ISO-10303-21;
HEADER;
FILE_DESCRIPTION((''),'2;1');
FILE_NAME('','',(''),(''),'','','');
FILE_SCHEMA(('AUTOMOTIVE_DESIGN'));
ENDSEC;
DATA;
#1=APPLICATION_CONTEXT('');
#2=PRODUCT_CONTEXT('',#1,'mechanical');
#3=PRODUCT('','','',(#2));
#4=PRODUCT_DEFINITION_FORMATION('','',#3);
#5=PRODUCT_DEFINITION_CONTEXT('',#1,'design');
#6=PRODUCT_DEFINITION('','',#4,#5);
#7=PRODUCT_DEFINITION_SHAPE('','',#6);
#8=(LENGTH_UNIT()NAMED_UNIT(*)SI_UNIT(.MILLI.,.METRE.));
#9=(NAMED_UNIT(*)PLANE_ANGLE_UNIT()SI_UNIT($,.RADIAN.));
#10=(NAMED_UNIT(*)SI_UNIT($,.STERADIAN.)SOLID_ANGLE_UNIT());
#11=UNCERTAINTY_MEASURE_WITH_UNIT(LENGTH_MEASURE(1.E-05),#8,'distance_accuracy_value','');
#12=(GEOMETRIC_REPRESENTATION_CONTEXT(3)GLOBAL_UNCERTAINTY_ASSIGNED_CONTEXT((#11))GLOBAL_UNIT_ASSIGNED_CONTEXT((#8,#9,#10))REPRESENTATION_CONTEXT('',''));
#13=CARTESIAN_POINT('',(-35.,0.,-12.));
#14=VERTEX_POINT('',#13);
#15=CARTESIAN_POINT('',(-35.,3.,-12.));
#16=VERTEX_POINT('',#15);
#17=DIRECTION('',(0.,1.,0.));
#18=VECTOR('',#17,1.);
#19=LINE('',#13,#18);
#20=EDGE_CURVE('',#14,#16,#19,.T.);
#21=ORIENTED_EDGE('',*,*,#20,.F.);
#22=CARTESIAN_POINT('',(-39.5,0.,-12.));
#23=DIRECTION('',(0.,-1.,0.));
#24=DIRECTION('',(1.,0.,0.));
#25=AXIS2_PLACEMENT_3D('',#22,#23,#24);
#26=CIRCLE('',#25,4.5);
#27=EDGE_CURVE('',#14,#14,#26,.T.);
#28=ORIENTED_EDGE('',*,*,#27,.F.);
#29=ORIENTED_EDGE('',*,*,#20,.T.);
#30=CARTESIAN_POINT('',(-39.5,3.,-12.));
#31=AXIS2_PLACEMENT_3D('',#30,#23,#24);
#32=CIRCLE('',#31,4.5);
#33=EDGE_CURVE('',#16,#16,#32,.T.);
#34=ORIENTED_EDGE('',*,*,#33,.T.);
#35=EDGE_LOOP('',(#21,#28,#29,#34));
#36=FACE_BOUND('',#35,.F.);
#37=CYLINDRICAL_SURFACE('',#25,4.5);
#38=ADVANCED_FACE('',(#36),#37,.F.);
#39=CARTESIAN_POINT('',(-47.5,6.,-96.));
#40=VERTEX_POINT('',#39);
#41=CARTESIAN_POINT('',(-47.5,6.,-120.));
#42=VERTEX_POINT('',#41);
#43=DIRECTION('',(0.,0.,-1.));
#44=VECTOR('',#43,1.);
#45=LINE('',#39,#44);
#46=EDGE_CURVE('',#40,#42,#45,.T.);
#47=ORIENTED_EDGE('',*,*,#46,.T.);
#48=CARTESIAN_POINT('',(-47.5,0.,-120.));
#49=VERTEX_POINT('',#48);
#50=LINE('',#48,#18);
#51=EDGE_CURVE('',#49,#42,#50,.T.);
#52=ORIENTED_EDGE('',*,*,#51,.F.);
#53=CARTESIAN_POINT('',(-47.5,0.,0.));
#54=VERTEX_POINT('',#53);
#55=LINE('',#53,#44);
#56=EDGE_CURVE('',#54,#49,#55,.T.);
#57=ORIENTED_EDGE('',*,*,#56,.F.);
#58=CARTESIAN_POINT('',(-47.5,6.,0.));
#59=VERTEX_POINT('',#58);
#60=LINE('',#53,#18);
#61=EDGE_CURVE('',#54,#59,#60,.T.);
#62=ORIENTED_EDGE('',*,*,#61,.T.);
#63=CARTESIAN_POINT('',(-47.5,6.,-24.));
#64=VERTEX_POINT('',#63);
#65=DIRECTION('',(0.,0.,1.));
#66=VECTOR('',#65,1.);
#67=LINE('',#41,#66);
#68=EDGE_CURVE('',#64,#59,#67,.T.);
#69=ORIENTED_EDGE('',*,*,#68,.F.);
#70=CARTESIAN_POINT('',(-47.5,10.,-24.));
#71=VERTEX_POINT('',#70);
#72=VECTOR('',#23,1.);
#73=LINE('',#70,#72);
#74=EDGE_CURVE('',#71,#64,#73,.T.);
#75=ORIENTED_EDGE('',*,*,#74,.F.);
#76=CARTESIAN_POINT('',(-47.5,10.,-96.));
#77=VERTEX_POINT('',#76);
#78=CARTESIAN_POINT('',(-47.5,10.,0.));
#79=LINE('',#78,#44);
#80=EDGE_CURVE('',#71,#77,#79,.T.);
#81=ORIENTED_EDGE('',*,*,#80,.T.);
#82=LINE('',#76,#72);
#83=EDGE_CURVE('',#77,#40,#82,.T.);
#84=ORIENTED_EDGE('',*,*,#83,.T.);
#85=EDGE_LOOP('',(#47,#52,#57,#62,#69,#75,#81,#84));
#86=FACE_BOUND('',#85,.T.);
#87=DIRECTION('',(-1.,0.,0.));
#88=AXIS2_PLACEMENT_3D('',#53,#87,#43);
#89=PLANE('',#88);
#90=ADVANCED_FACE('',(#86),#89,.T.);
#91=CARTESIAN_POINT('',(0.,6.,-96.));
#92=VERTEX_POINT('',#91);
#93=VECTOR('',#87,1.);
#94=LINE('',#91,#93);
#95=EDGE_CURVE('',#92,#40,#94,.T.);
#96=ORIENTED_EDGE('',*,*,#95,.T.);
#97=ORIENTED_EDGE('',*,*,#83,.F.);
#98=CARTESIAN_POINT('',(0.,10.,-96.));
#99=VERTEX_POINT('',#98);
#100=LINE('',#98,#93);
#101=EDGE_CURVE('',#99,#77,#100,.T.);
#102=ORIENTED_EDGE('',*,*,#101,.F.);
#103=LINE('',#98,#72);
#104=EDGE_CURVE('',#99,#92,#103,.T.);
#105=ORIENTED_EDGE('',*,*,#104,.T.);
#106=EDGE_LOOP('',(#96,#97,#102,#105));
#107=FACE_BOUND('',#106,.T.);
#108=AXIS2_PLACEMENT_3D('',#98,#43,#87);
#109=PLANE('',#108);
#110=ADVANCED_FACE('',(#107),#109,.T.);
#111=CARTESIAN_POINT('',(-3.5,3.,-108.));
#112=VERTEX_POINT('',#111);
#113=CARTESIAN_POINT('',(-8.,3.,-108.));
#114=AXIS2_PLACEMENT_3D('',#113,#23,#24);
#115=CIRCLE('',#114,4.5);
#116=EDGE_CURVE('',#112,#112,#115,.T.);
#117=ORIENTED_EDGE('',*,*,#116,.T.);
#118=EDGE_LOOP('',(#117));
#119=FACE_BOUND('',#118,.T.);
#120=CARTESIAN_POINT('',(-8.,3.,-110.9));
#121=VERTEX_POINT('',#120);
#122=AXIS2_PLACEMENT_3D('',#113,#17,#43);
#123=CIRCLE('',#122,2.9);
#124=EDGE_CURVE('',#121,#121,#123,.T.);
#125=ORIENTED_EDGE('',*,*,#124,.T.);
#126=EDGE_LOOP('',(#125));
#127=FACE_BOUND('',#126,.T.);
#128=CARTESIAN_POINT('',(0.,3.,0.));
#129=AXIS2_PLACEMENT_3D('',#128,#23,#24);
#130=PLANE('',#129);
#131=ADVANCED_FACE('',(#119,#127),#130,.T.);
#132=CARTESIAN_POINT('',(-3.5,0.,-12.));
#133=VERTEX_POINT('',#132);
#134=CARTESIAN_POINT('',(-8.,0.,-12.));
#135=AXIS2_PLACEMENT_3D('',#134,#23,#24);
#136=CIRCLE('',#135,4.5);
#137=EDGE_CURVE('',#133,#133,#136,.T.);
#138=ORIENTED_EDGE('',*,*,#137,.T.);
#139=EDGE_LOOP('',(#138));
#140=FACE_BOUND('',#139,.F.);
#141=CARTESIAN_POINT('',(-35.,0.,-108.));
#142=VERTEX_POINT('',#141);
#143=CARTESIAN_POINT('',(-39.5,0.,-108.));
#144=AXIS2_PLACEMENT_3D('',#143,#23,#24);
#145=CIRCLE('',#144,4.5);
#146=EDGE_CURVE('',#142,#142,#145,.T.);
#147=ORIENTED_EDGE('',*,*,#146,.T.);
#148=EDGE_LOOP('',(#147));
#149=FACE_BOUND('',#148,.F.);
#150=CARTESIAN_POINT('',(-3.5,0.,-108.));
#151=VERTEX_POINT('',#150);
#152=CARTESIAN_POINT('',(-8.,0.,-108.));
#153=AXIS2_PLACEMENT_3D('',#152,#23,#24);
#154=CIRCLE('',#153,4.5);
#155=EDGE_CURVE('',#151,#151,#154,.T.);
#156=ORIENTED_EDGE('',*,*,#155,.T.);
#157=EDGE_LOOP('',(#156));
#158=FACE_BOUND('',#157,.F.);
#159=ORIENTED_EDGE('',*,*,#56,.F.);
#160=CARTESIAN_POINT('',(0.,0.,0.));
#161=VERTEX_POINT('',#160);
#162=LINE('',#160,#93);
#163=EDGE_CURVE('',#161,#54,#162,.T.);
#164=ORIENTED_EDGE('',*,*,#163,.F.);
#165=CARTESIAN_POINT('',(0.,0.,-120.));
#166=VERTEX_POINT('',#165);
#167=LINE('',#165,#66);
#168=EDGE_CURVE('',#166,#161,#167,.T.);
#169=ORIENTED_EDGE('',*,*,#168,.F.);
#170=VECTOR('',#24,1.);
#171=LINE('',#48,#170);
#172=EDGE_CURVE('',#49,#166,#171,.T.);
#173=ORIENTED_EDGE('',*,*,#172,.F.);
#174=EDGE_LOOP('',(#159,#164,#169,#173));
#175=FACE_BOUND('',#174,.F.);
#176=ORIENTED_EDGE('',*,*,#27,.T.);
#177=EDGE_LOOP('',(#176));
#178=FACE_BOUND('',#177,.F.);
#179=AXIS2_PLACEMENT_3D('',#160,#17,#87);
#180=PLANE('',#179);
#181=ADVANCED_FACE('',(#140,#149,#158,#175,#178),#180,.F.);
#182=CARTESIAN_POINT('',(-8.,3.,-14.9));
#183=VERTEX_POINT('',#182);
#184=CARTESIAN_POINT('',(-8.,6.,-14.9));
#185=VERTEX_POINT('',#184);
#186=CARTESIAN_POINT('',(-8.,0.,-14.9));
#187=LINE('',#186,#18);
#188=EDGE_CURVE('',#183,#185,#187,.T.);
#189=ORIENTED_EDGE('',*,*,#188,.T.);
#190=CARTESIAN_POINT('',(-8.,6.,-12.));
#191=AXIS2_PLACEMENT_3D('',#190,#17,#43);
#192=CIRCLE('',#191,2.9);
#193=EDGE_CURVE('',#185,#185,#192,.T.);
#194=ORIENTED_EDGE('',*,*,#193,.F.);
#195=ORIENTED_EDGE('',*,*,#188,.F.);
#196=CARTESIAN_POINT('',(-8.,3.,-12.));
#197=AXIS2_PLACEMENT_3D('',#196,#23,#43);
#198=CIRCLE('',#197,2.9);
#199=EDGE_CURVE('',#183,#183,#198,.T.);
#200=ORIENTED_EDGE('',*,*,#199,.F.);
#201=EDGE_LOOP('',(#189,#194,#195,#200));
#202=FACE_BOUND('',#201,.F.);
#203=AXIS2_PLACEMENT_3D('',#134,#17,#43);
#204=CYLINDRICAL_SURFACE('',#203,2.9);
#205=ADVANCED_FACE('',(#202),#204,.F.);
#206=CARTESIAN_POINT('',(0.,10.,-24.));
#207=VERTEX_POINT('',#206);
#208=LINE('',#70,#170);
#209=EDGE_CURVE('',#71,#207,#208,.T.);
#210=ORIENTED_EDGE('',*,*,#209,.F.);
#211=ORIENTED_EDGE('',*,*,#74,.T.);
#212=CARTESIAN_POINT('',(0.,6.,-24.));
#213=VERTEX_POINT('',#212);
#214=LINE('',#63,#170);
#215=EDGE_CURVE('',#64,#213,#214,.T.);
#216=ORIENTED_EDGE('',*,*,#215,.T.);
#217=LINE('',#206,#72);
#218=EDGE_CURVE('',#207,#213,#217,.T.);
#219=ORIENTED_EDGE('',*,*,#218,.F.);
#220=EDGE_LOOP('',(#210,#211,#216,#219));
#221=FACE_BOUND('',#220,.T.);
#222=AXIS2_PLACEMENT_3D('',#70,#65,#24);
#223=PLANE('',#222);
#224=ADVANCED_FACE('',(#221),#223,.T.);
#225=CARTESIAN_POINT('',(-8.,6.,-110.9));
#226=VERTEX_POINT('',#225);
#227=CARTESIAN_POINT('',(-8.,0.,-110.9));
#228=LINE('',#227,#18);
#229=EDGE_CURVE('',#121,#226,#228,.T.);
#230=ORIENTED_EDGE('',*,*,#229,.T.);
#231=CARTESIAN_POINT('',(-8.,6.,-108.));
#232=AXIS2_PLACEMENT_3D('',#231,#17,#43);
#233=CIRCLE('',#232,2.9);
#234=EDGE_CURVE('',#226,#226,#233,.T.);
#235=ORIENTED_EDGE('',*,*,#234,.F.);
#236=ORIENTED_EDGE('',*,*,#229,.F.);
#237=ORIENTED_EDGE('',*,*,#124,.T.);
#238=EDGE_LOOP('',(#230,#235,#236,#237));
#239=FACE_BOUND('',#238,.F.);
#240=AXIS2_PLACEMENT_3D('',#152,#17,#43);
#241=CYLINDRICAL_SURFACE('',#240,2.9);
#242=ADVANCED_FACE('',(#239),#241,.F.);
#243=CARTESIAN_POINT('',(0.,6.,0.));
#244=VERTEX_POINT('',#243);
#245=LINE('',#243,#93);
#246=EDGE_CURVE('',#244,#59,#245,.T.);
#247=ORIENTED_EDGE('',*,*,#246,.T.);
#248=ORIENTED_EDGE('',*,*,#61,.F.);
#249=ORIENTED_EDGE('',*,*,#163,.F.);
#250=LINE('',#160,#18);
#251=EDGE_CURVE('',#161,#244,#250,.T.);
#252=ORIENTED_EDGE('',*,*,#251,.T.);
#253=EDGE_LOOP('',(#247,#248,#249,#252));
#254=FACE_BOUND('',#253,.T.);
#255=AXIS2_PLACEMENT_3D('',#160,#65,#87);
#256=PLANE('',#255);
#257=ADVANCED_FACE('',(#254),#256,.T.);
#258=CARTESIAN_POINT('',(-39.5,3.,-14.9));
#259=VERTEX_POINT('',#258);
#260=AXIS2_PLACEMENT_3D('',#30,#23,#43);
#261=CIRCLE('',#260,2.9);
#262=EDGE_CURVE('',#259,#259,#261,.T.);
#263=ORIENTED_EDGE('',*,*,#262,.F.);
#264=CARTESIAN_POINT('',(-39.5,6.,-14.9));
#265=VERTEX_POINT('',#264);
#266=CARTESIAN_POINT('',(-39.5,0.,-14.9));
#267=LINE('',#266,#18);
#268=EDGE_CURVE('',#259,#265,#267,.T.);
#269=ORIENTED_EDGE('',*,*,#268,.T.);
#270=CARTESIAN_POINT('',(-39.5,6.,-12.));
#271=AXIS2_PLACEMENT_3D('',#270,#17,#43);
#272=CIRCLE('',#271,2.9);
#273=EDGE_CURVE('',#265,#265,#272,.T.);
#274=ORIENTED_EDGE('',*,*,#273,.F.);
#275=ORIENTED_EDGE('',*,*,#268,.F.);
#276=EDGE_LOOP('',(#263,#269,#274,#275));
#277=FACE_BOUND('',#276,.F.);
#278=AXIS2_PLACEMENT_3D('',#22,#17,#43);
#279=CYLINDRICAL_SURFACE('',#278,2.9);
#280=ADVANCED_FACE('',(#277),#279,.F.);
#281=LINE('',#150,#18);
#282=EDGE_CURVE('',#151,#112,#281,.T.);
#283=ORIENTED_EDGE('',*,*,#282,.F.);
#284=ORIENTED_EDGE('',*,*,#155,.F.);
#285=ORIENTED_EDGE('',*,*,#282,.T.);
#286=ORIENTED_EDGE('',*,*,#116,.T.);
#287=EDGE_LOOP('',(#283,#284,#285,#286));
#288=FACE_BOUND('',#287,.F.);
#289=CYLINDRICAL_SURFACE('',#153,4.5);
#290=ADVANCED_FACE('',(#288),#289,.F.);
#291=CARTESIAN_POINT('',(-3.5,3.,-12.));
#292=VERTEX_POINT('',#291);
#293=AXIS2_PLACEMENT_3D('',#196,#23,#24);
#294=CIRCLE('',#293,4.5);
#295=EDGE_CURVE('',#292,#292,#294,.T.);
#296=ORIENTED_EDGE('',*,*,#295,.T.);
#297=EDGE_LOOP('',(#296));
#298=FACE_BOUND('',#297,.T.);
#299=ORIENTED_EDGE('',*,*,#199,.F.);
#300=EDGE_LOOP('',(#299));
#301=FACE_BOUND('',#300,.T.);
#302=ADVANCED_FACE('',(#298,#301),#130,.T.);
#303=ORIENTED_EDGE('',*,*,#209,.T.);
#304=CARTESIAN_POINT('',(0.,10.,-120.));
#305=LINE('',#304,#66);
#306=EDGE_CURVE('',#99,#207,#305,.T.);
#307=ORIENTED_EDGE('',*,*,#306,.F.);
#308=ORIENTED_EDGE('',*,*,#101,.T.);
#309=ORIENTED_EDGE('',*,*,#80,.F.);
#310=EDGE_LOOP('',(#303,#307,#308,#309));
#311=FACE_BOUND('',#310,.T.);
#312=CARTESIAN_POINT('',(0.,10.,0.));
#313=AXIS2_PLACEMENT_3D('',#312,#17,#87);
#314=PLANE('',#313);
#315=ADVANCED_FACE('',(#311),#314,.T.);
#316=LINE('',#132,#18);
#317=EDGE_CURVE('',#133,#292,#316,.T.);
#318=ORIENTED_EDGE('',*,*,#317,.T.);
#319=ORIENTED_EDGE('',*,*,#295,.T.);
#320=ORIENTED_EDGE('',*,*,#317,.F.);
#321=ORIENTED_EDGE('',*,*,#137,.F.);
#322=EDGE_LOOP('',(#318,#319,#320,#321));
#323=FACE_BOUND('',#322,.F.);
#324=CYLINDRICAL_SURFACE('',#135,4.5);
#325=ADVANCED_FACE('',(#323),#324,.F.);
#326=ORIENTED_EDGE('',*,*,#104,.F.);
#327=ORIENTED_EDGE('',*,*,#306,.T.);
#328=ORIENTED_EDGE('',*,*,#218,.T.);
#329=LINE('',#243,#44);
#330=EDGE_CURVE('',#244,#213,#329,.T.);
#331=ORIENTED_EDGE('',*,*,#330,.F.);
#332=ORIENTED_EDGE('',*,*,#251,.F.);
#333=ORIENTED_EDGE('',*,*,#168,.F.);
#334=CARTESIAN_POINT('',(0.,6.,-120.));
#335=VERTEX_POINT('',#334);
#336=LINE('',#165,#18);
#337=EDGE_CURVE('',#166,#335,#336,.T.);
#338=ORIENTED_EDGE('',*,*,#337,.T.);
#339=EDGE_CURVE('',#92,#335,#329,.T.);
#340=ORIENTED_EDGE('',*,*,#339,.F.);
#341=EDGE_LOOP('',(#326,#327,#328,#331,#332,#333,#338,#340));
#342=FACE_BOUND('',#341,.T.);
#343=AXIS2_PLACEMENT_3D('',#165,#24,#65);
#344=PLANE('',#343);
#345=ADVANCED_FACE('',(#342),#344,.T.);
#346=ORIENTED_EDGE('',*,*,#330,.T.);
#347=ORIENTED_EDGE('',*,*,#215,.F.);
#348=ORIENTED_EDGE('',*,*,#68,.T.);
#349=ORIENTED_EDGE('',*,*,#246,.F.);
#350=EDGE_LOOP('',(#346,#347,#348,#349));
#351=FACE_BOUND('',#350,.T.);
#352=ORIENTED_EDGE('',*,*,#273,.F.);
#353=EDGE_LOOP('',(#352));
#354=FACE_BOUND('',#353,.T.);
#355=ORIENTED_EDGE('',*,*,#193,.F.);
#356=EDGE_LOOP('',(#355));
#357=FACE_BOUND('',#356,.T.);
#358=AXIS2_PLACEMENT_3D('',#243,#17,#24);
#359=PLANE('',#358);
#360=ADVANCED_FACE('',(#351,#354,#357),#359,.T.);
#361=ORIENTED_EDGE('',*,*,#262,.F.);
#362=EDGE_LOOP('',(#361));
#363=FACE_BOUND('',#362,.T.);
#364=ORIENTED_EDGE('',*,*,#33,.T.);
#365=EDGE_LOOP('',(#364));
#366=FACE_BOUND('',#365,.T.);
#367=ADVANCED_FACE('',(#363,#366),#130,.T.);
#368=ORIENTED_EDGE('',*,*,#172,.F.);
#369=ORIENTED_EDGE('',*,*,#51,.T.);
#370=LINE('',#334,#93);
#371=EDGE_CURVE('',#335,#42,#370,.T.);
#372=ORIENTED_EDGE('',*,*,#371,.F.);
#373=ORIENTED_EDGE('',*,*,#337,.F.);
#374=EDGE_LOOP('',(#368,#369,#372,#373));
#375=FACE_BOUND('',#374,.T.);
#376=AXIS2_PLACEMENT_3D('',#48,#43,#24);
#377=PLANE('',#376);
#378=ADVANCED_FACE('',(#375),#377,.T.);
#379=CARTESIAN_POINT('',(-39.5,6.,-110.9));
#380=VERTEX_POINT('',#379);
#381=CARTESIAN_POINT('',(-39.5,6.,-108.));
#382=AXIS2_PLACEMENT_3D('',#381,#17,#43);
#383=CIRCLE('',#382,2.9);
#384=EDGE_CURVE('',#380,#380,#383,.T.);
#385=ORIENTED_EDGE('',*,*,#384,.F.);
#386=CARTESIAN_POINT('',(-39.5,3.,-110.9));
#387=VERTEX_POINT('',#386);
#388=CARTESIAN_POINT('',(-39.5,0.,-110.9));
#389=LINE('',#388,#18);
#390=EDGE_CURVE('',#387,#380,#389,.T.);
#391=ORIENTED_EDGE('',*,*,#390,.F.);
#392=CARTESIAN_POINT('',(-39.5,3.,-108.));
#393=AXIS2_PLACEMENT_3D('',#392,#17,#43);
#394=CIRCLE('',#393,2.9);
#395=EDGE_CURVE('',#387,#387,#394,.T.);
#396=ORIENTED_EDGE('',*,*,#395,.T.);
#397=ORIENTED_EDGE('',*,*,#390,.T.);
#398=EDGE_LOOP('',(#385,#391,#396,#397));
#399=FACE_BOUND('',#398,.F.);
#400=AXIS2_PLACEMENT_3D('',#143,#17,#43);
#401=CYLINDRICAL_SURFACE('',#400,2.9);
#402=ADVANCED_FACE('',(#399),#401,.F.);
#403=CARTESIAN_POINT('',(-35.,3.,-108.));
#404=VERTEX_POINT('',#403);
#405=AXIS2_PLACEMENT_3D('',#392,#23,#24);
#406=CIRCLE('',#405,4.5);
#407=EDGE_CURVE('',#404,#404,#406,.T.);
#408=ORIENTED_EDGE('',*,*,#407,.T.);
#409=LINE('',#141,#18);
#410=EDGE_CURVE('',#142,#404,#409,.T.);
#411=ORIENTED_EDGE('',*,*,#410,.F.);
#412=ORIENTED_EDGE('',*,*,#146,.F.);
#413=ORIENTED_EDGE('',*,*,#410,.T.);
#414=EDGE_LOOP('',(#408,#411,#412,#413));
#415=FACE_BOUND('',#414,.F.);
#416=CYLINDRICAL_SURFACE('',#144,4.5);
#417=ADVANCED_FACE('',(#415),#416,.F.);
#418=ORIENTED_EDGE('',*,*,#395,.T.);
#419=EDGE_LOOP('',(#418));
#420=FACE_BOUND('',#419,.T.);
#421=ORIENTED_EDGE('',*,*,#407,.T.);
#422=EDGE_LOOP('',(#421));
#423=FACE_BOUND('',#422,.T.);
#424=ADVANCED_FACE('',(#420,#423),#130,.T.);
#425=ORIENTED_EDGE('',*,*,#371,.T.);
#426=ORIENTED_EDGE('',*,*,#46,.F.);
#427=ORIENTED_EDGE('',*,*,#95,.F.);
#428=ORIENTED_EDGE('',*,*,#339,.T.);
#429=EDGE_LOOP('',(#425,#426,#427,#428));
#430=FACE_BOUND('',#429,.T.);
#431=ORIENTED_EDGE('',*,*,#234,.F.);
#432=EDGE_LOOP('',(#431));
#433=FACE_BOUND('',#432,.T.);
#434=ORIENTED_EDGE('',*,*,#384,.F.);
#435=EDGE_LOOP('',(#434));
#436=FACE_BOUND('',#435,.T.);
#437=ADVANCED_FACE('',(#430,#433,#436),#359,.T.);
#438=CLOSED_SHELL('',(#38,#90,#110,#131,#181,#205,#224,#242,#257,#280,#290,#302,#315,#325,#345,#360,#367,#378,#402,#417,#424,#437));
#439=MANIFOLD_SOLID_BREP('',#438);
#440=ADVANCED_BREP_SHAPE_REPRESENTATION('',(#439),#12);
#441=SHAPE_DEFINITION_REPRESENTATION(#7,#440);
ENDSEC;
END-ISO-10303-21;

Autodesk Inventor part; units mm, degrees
ref_plane "YZ Plane" through (0, 0, 0) normal (1, 0, 0) x (0, 1, 0)
ref_plane "XZ Plane" through (0, 0, 0) normal (0, 1, 0) x (-1, 0, 0)
ref_plane "XY Plane" through (0, 0, 0) normal (0, 0, 1) x (1, 0, 0)
sketch "スケッチ1" plane through (0, 0, 0) normal (0, 1, 0) x (-1, 0, 0)
  line L0 (0, 0) -> (47.5, 0)
  line L1 (47.5, 0) -> (47.5, -120)
  line L2 (47.5, -120) -> (0, -120)
  line L3 (0, -120) -> (0, 0)
  dimension "d0" = 47.5
  dimension "d1" = 120
extrude "押し出し1" add sketch "スケッチ1" along normal blind 10
ref_plane "作業平面1" through (0, 10, 0) normal (0, 1, 0) x (1, 0, 0)
sketch "スケッチ2" plane through (0, 10, 0) normal (0, 1, 0) x (1, 0, 0)
  line L0 (0, 120) -> (-47.5, 120) projected
  line L1 (0, 0) -> (0, 120) projected
  line L2 (-47.5, 120) -> (0, 120)
  line L3 (0, 120) -> (0, 96)
  line L4 (0, 96) -> (-47.5, 96)
  line L5 (-47.5, 96) -> (-47.5, 120)
  line L6 (-47.5, 120) -> (-47.5, 0) projected
  line L7 (0, 0) -> (-47.5, 0)
  line L8 (-47.5, 0) -> (-47.5, 24)
  line L9 (-47.5, 24) -> (0, 24)
  line L10 (0, 24) -> (0, 0)
  point P0 (0, 24)
  dimension "d5" = 24
  dimension "d6" = 24
  dimension "d7" = 72
extrude "押し出し2" cut sketch "スケッチ2" against normal blind 4 contours L1 L4 L5 L0 | L1 L7 L6 L9
ref_plane "作業平面2" through (0, 0, 0) normal (0, -1, 0) x (1, 0, 0)
sketch "スケッチ3" plane through (0, 0, 0) normal (0, -1, 0) x (1, 0, 0)
  line L0 (-47.5, 0) -> (0, 0) projected
  line L1 (0, -120) -> (-47.5, -120) projected
  line L2 (-47.5, -120) -> (-47.5, 0) projected
  line L3 (0, 0) -> (0, -120) projected
  point P0 (-39.5, -12)
  point P1 (-8, -12)
  point P2 (-39.5, -108)
  point P3 (-8, -108)
  dimension "d11" = 12
  dimension "d12" = 12
  dimension "d13" = 12
  dimension "d14" = 12
  dimension "d15" = 8
  dimension "d16" = 8
  dimension "d17" = 8
  dimension "d18" = 8
hole "穴1" at (-39.5, 0, -12) at (-8, 0, -12) at (-39.5, 0, -108) at (-8, 0, -108) direction (0, 1, 0) diameter 5.8 depth 7
sketch "スケッチ4" plane through (0, 0, 0) normal (0, -1, 0) x (1, 0, 0)
  circle A0 centre (-8, -12) radius 2.9 projected
  circle A1 centre (-8, -12) radius 4.5
  circle A2 centre (-39.5, -12) radius 2.9 projected
  circle A3 centre (-39.5, -12) radius 4.5
  circle A4 centre (-39.5, -108) radius 2.9 projected
  circle A5 centre (-39.5, -108) radius 4.5
  circle A6 centre (-8, -108) radius 2.9 projected
  circle A7 centre (-8, -108) radius 4.5
  point P0 (0, 0)
  dimension "d26" = 9
  dimension "d27" = 9
  dimension "d28" = 9
  dimension "d29" = 9
extrude "押し出し3" cut sketch "スケッチ4" against normal blind 3
properties part number "motor_rot_born2"
